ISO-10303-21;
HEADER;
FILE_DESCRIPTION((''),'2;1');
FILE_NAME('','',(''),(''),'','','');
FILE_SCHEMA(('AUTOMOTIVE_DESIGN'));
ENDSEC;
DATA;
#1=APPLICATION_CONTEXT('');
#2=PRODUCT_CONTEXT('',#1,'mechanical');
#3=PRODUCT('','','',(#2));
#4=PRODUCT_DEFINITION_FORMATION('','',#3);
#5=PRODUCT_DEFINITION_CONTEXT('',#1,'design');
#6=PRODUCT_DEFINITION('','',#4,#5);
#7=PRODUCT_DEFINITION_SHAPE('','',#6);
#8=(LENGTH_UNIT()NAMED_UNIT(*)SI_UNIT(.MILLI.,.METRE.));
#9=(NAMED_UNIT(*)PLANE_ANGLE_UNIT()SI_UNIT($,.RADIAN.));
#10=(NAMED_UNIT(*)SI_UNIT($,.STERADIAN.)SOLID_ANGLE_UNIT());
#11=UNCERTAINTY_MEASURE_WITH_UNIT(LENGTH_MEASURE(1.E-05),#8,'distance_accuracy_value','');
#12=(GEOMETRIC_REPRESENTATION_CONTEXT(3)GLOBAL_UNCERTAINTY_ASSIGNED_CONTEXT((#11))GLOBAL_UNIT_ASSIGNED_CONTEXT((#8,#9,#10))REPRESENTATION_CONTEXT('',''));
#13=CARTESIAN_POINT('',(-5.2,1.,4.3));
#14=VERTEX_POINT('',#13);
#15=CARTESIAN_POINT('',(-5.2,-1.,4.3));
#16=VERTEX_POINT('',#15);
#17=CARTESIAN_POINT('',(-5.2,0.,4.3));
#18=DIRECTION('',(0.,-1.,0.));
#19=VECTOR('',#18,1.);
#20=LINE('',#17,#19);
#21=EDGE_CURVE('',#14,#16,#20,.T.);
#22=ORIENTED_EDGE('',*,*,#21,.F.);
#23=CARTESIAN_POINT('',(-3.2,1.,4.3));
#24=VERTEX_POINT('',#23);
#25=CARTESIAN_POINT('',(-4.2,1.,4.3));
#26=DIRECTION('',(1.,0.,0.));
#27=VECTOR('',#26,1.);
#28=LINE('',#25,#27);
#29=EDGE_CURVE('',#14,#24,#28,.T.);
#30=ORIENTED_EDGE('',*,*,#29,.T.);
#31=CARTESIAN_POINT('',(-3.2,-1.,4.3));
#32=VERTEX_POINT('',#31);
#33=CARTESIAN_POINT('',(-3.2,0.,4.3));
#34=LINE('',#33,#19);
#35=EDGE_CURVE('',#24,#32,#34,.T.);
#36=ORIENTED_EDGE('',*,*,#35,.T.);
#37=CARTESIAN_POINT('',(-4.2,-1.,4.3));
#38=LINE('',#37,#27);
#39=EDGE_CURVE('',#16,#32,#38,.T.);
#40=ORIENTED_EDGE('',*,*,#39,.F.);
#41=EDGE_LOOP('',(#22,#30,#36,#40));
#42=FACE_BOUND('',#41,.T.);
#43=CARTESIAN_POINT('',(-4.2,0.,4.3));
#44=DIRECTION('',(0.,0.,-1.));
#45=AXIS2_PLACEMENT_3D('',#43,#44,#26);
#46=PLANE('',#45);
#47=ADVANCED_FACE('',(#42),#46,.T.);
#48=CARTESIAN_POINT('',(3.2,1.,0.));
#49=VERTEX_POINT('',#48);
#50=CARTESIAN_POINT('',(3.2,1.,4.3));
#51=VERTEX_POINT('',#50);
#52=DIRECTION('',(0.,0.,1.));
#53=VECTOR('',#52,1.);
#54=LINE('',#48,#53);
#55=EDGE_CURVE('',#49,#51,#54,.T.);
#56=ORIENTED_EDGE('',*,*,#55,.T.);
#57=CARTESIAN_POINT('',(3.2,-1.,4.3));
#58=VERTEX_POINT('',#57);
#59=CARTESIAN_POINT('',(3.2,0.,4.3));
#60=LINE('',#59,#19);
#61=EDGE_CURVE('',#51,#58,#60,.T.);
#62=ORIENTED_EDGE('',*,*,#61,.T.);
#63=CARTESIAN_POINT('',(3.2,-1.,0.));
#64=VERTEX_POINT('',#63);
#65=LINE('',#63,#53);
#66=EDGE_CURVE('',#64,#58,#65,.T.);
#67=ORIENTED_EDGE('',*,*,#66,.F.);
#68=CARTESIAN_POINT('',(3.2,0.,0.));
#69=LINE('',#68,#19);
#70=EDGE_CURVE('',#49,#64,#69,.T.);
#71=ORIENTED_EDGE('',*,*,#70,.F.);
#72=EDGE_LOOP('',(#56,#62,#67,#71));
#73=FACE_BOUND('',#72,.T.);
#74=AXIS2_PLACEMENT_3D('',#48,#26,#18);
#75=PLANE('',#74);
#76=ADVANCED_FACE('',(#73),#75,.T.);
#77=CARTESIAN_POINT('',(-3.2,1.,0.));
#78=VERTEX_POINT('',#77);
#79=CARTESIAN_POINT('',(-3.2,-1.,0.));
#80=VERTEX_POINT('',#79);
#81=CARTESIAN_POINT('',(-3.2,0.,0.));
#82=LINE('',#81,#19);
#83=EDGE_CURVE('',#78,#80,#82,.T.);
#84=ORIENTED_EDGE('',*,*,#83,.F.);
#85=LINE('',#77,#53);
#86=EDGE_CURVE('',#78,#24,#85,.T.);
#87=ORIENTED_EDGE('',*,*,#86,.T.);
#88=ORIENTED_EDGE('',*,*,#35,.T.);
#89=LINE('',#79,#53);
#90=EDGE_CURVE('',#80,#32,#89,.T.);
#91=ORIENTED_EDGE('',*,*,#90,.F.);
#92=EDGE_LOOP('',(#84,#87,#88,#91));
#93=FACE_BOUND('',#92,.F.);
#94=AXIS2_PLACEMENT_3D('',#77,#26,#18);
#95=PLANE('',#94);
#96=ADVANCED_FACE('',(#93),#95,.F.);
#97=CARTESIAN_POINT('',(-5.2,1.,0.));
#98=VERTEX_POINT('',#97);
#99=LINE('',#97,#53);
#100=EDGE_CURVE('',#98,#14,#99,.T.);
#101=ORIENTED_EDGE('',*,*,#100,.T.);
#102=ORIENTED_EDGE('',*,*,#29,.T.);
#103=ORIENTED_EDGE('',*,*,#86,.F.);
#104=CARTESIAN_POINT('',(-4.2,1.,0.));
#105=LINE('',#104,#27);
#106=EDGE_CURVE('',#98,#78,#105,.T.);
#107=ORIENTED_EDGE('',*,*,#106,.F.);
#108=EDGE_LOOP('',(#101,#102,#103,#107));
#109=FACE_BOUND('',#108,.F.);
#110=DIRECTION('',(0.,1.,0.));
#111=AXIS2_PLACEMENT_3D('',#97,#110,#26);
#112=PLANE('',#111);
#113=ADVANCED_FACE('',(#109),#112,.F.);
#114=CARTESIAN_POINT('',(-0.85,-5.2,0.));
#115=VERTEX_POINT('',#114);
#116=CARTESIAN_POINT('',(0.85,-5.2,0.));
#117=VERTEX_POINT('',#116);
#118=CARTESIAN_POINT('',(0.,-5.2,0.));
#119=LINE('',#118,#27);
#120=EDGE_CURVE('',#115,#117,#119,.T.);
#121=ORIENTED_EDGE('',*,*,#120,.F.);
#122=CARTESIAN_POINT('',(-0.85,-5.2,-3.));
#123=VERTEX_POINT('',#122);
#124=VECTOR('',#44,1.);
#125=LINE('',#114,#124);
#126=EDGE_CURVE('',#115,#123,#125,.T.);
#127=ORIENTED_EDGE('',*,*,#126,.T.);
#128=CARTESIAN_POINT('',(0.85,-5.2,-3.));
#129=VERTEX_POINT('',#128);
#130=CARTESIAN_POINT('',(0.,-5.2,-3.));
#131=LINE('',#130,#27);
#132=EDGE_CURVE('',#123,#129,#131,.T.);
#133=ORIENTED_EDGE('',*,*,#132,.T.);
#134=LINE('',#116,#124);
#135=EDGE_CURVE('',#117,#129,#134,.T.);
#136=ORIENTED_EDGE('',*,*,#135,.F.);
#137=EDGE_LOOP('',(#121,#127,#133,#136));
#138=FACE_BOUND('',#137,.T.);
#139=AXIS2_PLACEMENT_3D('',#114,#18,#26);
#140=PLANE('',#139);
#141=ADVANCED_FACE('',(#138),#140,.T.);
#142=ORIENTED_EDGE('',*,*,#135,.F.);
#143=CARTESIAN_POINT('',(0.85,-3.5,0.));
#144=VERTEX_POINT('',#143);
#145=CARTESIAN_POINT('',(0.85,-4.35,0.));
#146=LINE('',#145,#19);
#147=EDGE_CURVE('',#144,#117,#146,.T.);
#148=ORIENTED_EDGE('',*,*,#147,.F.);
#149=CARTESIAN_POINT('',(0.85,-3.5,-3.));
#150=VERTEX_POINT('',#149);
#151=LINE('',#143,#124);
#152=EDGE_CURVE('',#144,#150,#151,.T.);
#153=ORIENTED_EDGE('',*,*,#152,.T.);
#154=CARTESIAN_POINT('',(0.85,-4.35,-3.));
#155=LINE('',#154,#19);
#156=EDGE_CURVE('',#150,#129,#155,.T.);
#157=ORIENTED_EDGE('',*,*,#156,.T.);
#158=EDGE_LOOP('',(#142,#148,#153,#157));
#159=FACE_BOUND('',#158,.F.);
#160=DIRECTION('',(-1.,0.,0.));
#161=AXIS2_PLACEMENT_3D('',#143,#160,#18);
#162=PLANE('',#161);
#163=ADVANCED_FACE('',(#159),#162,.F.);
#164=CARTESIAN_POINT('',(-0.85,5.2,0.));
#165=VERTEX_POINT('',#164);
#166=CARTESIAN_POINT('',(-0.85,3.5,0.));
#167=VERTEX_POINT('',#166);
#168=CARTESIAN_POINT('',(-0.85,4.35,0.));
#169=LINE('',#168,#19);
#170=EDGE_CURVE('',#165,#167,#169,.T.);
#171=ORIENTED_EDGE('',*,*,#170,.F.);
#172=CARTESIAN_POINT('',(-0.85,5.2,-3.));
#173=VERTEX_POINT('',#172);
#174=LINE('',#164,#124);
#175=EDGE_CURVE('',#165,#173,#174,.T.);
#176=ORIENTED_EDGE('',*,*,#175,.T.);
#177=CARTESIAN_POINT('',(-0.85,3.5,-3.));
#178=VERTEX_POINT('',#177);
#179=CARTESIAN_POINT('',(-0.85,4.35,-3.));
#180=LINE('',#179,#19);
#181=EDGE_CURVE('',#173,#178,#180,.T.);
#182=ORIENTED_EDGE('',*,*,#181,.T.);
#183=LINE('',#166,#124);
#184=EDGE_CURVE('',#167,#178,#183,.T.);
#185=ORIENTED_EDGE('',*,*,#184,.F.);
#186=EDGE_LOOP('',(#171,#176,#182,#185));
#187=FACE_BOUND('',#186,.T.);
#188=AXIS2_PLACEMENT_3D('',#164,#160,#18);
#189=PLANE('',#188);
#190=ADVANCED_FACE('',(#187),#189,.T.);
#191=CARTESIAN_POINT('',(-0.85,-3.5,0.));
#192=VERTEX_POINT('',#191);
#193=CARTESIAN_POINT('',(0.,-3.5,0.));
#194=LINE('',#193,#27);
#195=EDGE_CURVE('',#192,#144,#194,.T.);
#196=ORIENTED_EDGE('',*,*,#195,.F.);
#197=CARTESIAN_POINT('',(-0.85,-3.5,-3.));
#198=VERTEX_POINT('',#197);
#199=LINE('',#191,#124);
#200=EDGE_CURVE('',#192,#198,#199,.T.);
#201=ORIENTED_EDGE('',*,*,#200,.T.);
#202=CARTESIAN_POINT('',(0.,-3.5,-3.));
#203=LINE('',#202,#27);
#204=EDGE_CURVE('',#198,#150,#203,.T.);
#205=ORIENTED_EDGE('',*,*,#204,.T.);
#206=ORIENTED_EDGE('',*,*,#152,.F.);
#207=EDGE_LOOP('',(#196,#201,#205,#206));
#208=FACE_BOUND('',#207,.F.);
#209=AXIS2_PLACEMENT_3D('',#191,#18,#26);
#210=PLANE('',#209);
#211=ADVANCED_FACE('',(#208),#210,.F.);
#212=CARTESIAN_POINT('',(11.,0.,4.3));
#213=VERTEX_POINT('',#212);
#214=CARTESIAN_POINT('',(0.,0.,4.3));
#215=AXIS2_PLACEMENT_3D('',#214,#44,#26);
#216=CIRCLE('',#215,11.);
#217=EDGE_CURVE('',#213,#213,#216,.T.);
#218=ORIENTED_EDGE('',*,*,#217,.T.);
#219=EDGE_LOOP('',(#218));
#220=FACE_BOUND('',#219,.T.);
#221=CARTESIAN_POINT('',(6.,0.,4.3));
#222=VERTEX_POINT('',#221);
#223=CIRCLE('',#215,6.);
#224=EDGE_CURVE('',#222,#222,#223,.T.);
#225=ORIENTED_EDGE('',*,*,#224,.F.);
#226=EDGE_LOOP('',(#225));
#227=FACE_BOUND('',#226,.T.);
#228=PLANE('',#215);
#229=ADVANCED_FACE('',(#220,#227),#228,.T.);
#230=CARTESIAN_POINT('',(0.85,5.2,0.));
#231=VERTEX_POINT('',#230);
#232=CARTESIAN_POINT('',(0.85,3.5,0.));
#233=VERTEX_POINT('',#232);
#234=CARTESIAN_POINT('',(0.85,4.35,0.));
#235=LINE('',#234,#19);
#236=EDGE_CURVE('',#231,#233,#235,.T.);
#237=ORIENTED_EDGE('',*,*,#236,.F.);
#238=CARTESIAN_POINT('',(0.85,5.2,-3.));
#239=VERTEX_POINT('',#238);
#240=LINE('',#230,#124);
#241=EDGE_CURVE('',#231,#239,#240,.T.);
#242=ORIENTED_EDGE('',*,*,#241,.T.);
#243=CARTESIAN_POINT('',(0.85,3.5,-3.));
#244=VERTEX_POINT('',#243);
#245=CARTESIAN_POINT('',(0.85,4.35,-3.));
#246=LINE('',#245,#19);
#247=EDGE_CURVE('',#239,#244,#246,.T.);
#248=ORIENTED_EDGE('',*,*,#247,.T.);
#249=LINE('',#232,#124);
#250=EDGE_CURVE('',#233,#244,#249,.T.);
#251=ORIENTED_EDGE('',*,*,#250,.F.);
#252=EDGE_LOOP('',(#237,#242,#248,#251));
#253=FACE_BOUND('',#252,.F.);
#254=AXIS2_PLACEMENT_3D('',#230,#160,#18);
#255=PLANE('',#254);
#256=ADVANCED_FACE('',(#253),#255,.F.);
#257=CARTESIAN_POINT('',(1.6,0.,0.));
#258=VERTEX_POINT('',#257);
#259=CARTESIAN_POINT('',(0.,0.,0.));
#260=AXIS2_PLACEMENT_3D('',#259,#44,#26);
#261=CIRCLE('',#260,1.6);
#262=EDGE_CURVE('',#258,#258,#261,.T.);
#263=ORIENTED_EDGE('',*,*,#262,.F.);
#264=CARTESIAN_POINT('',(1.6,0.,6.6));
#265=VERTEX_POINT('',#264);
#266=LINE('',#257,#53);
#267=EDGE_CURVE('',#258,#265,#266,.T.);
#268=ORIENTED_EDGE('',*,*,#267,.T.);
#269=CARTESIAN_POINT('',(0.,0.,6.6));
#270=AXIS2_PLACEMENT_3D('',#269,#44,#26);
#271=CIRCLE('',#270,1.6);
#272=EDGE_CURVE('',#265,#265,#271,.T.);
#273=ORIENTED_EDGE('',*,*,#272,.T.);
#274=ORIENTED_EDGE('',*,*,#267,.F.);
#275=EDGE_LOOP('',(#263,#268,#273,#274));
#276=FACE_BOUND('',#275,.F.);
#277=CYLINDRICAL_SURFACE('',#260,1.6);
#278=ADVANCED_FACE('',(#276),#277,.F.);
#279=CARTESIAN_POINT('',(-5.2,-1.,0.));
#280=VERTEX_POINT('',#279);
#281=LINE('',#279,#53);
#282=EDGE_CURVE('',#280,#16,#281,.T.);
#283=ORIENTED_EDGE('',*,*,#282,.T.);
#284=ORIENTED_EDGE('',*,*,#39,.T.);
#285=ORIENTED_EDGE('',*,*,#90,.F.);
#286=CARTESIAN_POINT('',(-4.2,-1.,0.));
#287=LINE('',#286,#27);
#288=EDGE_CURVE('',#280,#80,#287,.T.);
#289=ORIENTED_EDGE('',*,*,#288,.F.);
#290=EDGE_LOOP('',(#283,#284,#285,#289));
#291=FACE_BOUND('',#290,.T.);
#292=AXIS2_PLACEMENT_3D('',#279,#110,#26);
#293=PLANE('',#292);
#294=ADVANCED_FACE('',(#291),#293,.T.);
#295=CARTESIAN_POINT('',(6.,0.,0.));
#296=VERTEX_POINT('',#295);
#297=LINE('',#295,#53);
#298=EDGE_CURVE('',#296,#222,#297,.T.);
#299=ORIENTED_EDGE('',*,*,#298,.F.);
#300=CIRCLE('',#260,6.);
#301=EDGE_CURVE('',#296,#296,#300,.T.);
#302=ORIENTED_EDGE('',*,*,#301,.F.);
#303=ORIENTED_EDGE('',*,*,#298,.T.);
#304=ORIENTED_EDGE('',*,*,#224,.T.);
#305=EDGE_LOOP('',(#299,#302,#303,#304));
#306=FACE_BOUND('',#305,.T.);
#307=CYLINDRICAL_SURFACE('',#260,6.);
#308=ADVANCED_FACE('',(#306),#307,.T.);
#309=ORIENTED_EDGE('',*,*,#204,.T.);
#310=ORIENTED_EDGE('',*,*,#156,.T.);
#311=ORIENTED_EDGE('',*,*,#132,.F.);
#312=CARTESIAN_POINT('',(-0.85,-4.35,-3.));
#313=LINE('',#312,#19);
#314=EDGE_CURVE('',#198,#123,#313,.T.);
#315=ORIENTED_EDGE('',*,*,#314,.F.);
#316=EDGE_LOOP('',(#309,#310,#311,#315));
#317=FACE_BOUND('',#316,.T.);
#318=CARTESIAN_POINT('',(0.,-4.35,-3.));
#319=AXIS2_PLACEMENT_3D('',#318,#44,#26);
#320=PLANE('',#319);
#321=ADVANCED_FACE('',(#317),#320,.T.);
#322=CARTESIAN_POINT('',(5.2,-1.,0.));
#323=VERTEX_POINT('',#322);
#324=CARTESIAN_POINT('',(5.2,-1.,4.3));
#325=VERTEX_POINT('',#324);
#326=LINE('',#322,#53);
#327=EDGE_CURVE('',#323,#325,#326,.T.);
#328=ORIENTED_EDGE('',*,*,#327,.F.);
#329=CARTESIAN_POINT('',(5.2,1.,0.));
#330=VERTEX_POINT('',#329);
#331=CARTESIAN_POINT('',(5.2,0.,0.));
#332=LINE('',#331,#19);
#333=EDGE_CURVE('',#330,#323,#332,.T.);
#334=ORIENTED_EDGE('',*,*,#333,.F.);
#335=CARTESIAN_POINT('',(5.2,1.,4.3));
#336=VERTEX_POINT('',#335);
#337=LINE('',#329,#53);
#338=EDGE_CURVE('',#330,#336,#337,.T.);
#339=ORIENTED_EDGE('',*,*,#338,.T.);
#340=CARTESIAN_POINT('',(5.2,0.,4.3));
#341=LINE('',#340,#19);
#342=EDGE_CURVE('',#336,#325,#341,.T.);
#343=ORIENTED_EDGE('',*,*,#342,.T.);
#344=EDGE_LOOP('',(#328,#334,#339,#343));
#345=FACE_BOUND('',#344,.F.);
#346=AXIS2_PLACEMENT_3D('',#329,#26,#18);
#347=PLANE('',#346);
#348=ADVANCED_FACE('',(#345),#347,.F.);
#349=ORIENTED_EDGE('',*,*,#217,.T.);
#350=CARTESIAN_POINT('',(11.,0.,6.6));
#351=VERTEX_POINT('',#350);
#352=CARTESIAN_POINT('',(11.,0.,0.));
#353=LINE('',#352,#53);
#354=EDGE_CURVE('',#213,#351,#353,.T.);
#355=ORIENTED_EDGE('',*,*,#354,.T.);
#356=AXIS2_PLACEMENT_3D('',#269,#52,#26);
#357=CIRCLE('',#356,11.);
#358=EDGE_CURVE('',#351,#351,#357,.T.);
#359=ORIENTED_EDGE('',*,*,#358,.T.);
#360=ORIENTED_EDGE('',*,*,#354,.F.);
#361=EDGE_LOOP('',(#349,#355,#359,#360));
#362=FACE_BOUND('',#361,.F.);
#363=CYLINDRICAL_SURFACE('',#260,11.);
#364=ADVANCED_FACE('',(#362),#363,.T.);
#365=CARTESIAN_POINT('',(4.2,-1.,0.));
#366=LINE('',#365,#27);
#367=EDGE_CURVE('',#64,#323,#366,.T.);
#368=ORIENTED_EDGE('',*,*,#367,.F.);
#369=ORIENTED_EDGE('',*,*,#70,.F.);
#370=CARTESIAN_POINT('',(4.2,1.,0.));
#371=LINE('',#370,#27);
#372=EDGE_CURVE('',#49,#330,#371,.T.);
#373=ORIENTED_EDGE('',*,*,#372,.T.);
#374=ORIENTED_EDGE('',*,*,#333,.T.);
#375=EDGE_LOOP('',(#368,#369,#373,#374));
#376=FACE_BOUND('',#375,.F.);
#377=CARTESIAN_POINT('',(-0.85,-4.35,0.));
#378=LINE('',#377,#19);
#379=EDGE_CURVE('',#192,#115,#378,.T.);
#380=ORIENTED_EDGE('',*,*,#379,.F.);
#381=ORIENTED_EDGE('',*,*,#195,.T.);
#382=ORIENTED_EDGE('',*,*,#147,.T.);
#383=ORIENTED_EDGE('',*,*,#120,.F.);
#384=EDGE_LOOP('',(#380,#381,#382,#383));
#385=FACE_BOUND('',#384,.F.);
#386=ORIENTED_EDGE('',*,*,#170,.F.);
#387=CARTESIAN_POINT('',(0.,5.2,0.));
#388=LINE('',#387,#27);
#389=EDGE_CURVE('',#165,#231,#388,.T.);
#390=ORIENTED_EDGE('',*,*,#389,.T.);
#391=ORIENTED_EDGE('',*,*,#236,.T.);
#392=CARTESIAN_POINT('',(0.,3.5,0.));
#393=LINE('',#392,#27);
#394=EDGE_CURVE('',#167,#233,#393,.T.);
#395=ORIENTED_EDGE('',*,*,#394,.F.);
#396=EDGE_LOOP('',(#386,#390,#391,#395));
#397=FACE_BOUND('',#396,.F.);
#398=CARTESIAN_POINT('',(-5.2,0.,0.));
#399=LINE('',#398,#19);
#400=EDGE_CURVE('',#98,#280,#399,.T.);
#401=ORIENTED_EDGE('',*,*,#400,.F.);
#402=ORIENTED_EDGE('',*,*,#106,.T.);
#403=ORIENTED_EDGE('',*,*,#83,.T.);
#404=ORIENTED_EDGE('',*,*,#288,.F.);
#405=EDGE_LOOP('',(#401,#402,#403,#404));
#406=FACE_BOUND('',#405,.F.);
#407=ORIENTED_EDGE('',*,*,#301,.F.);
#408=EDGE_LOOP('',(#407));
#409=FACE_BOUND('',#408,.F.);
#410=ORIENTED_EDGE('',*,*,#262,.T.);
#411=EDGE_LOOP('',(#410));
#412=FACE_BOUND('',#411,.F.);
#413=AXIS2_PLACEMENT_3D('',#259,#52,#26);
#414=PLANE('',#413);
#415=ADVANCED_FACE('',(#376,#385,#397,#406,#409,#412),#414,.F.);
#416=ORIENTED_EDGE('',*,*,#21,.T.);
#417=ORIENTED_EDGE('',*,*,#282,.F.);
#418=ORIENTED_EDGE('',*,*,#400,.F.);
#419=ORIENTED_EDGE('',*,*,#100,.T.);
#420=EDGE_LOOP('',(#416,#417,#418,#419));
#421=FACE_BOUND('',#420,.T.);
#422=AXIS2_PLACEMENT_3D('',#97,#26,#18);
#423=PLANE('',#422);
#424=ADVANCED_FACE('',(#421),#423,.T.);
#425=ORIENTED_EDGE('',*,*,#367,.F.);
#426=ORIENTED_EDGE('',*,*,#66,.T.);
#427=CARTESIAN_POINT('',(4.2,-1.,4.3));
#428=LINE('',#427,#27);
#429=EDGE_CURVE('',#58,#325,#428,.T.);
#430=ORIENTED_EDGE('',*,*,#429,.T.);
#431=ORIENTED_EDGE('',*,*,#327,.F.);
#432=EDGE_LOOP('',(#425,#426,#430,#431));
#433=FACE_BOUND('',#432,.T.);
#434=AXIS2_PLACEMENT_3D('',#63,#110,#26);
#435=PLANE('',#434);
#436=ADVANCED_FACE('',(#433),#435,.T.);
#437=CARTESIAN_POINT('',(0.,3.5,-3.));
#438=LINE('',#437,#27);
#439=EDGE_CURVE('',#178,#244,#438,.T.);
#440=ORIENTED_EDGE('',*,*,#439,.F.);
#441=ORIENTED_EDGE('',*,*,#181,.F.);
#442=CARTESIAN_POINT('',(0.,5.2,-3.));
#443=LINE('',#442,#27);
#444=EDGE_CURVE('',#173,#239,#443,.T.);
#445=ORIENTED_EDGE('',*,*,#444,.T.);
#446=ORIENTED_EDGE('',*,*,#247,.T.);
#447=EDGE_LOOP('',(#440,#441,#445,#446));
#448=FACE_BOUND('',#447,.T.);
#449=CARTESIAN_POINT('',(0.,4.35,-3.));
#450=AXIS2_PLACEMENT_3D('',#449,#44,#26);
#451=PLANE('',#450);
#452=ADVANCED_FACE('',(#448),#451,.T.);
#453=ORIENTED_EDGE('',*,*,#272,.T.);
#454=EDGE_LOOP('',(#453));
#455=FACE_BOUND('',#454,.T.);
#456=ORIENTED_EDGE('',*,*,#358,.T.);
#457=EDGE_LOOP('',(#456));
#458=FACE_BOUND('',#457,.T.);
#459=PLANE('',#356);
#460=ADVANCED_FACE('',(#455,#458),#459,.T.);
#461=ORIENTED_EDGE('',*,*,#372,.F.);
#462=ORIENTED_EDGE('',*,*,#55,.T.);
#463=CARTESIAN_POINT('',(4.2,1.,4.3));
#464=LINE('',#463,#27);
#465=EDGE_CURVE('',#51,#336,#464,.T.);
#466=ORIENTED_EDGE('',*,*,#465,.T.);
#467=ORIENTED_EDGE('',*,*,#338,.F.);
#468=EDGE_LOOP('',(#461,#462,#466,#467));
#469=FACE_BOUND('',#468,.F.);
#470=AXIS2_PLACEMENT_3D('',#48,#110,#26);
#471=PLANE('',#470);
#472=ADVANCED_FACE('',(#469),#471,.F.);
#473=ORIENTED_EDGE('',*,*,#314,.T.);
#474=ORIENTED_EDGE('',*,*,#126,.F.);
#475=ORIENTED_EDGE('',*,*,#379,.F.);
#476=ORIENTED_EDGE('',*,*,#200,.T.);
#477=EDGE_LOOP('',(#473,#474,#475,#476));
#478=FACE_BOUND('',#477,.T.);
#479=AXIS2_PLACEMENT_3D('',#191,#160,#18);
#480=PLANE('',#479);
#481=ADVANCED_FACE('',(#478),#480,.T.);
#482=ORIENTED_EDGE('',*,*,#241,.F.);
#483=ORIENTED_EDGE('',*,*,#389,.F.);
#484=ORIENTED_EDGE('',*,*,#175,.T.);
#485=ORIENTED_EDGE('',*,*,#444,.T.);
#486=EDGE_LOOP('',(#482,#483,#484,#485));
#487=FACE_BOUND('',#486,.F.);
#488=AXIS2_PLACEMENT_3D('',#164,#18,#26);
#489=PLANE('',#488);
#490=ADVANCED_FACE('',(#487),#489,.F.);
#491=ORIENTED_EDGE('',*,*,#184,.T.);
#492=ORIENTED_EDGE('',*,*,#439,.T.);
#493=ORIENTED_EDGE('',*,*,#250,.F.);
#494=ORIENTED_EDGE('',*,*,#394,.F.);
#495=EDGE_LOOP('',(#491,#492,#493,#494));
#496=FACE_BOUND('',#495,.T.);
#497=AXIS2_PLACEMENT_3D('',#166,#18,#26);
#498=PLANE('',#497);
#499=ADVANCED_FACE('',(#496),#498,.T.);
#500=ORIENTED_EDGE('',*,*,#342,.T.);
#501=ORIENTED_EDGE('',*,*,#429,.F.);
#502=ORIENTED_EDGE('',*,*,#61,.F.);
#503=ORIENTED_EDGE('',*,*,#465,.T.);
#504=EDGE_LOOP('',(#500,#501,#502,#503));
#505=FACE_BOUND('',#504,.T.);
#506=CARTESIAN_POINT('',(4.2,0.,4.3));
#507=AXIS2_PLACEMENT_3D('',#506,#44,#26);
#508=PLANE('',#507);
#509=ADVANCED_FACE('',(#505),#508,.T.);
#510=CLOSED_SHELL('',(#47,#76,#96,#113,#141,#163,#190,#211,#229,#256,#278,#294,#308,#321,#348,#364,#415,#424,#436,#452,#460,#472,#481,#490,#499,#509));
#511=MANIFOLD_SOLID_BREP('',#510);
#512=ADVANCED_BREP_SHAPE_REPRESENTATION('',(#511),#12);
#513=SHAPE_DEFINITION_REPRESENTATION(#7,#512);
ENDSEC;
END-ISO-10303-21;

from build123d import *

# Parameters (mm, degrees)
SKETCH_R        = 11
PAD_DEPTH       = 6.6
SKETCH001_R     = 11
SKETCH001_R_2   = 6
POCKET_DEPTH    = 4.3
SKETCH003_W     = 1.7
SKETCH003_H     = 1.7
PAD001_DEPTH    = 3
SKETCH004_W     = 2
SKETCH004_H     = 2
POCKET002_DEPTH = 4.3
SKETCH002_R     = 1.6
POCKET003_DEPTH = 6.601


with BuildPart() as part:
    # Sketch → Pad (new body)
    with BuildSketch(Plane.XY):
        Circle(SKETCH_R)
    extrude(amount=PAD_DEPTH)

    # Sketch001 → Pocket (cut)
    with BuildSketch(Plane(origin=(0, 0, 0), x_dir=(1, 0, 0), z_dir=(0, 0, -1))):
        Circle(SKETCH001_R)
        Circle(SKETCH001_R_2, mode=Mode.SUBTRACT)
    extrude(amount=-POCKET_DEPTH, mode=Mode.SUBTRACT)

    # Sketch003 → Pad001 (new body)
    with BuildSketch(Plane(origin=(0, 0, 0), x_dir=(1, 0, 0), z_dir=(0, 0, -1))):
        with Locations((0, 4.35)):
            Rectangle(SKETCH003_W, SKETCH003_H)
        with Locations((0, -4.35)):
            Rectangle(SKETCH003_W, SKETCH003_H)
    extrude(amount=PAD001_DEPTH)

    # Sketch004 → Pocket002 (cut)
    with BuildSketch(Plane(origin=(0, 0, 0), x_dir=(1, 0, 0), z_dir=(0, 0, -1))):
        with Locations((-4.2, 0)):
            Rectangle(SKETCH004_W, SKETCH004_H)
        with Locations((4.2, 0)):
            Rectangle(SKETCH004_W, SKETCH004_H)
    extrude(amount=-POCKET002_DEPTH, mode=Mode.SUBTRACT)

    # Sketch002 → Pocket003 (cut, through all)
    with BuildSketch(Plane(origin=(0, 0, 0), x_dir=(1, 0, 0), z_dir=(0, 0, -1))):
        Circle(SKETCH002_R)
    extrude(amount=-POCKET003_DEPTH, mode=Mode.SUBTRACT)


solid = part.part
